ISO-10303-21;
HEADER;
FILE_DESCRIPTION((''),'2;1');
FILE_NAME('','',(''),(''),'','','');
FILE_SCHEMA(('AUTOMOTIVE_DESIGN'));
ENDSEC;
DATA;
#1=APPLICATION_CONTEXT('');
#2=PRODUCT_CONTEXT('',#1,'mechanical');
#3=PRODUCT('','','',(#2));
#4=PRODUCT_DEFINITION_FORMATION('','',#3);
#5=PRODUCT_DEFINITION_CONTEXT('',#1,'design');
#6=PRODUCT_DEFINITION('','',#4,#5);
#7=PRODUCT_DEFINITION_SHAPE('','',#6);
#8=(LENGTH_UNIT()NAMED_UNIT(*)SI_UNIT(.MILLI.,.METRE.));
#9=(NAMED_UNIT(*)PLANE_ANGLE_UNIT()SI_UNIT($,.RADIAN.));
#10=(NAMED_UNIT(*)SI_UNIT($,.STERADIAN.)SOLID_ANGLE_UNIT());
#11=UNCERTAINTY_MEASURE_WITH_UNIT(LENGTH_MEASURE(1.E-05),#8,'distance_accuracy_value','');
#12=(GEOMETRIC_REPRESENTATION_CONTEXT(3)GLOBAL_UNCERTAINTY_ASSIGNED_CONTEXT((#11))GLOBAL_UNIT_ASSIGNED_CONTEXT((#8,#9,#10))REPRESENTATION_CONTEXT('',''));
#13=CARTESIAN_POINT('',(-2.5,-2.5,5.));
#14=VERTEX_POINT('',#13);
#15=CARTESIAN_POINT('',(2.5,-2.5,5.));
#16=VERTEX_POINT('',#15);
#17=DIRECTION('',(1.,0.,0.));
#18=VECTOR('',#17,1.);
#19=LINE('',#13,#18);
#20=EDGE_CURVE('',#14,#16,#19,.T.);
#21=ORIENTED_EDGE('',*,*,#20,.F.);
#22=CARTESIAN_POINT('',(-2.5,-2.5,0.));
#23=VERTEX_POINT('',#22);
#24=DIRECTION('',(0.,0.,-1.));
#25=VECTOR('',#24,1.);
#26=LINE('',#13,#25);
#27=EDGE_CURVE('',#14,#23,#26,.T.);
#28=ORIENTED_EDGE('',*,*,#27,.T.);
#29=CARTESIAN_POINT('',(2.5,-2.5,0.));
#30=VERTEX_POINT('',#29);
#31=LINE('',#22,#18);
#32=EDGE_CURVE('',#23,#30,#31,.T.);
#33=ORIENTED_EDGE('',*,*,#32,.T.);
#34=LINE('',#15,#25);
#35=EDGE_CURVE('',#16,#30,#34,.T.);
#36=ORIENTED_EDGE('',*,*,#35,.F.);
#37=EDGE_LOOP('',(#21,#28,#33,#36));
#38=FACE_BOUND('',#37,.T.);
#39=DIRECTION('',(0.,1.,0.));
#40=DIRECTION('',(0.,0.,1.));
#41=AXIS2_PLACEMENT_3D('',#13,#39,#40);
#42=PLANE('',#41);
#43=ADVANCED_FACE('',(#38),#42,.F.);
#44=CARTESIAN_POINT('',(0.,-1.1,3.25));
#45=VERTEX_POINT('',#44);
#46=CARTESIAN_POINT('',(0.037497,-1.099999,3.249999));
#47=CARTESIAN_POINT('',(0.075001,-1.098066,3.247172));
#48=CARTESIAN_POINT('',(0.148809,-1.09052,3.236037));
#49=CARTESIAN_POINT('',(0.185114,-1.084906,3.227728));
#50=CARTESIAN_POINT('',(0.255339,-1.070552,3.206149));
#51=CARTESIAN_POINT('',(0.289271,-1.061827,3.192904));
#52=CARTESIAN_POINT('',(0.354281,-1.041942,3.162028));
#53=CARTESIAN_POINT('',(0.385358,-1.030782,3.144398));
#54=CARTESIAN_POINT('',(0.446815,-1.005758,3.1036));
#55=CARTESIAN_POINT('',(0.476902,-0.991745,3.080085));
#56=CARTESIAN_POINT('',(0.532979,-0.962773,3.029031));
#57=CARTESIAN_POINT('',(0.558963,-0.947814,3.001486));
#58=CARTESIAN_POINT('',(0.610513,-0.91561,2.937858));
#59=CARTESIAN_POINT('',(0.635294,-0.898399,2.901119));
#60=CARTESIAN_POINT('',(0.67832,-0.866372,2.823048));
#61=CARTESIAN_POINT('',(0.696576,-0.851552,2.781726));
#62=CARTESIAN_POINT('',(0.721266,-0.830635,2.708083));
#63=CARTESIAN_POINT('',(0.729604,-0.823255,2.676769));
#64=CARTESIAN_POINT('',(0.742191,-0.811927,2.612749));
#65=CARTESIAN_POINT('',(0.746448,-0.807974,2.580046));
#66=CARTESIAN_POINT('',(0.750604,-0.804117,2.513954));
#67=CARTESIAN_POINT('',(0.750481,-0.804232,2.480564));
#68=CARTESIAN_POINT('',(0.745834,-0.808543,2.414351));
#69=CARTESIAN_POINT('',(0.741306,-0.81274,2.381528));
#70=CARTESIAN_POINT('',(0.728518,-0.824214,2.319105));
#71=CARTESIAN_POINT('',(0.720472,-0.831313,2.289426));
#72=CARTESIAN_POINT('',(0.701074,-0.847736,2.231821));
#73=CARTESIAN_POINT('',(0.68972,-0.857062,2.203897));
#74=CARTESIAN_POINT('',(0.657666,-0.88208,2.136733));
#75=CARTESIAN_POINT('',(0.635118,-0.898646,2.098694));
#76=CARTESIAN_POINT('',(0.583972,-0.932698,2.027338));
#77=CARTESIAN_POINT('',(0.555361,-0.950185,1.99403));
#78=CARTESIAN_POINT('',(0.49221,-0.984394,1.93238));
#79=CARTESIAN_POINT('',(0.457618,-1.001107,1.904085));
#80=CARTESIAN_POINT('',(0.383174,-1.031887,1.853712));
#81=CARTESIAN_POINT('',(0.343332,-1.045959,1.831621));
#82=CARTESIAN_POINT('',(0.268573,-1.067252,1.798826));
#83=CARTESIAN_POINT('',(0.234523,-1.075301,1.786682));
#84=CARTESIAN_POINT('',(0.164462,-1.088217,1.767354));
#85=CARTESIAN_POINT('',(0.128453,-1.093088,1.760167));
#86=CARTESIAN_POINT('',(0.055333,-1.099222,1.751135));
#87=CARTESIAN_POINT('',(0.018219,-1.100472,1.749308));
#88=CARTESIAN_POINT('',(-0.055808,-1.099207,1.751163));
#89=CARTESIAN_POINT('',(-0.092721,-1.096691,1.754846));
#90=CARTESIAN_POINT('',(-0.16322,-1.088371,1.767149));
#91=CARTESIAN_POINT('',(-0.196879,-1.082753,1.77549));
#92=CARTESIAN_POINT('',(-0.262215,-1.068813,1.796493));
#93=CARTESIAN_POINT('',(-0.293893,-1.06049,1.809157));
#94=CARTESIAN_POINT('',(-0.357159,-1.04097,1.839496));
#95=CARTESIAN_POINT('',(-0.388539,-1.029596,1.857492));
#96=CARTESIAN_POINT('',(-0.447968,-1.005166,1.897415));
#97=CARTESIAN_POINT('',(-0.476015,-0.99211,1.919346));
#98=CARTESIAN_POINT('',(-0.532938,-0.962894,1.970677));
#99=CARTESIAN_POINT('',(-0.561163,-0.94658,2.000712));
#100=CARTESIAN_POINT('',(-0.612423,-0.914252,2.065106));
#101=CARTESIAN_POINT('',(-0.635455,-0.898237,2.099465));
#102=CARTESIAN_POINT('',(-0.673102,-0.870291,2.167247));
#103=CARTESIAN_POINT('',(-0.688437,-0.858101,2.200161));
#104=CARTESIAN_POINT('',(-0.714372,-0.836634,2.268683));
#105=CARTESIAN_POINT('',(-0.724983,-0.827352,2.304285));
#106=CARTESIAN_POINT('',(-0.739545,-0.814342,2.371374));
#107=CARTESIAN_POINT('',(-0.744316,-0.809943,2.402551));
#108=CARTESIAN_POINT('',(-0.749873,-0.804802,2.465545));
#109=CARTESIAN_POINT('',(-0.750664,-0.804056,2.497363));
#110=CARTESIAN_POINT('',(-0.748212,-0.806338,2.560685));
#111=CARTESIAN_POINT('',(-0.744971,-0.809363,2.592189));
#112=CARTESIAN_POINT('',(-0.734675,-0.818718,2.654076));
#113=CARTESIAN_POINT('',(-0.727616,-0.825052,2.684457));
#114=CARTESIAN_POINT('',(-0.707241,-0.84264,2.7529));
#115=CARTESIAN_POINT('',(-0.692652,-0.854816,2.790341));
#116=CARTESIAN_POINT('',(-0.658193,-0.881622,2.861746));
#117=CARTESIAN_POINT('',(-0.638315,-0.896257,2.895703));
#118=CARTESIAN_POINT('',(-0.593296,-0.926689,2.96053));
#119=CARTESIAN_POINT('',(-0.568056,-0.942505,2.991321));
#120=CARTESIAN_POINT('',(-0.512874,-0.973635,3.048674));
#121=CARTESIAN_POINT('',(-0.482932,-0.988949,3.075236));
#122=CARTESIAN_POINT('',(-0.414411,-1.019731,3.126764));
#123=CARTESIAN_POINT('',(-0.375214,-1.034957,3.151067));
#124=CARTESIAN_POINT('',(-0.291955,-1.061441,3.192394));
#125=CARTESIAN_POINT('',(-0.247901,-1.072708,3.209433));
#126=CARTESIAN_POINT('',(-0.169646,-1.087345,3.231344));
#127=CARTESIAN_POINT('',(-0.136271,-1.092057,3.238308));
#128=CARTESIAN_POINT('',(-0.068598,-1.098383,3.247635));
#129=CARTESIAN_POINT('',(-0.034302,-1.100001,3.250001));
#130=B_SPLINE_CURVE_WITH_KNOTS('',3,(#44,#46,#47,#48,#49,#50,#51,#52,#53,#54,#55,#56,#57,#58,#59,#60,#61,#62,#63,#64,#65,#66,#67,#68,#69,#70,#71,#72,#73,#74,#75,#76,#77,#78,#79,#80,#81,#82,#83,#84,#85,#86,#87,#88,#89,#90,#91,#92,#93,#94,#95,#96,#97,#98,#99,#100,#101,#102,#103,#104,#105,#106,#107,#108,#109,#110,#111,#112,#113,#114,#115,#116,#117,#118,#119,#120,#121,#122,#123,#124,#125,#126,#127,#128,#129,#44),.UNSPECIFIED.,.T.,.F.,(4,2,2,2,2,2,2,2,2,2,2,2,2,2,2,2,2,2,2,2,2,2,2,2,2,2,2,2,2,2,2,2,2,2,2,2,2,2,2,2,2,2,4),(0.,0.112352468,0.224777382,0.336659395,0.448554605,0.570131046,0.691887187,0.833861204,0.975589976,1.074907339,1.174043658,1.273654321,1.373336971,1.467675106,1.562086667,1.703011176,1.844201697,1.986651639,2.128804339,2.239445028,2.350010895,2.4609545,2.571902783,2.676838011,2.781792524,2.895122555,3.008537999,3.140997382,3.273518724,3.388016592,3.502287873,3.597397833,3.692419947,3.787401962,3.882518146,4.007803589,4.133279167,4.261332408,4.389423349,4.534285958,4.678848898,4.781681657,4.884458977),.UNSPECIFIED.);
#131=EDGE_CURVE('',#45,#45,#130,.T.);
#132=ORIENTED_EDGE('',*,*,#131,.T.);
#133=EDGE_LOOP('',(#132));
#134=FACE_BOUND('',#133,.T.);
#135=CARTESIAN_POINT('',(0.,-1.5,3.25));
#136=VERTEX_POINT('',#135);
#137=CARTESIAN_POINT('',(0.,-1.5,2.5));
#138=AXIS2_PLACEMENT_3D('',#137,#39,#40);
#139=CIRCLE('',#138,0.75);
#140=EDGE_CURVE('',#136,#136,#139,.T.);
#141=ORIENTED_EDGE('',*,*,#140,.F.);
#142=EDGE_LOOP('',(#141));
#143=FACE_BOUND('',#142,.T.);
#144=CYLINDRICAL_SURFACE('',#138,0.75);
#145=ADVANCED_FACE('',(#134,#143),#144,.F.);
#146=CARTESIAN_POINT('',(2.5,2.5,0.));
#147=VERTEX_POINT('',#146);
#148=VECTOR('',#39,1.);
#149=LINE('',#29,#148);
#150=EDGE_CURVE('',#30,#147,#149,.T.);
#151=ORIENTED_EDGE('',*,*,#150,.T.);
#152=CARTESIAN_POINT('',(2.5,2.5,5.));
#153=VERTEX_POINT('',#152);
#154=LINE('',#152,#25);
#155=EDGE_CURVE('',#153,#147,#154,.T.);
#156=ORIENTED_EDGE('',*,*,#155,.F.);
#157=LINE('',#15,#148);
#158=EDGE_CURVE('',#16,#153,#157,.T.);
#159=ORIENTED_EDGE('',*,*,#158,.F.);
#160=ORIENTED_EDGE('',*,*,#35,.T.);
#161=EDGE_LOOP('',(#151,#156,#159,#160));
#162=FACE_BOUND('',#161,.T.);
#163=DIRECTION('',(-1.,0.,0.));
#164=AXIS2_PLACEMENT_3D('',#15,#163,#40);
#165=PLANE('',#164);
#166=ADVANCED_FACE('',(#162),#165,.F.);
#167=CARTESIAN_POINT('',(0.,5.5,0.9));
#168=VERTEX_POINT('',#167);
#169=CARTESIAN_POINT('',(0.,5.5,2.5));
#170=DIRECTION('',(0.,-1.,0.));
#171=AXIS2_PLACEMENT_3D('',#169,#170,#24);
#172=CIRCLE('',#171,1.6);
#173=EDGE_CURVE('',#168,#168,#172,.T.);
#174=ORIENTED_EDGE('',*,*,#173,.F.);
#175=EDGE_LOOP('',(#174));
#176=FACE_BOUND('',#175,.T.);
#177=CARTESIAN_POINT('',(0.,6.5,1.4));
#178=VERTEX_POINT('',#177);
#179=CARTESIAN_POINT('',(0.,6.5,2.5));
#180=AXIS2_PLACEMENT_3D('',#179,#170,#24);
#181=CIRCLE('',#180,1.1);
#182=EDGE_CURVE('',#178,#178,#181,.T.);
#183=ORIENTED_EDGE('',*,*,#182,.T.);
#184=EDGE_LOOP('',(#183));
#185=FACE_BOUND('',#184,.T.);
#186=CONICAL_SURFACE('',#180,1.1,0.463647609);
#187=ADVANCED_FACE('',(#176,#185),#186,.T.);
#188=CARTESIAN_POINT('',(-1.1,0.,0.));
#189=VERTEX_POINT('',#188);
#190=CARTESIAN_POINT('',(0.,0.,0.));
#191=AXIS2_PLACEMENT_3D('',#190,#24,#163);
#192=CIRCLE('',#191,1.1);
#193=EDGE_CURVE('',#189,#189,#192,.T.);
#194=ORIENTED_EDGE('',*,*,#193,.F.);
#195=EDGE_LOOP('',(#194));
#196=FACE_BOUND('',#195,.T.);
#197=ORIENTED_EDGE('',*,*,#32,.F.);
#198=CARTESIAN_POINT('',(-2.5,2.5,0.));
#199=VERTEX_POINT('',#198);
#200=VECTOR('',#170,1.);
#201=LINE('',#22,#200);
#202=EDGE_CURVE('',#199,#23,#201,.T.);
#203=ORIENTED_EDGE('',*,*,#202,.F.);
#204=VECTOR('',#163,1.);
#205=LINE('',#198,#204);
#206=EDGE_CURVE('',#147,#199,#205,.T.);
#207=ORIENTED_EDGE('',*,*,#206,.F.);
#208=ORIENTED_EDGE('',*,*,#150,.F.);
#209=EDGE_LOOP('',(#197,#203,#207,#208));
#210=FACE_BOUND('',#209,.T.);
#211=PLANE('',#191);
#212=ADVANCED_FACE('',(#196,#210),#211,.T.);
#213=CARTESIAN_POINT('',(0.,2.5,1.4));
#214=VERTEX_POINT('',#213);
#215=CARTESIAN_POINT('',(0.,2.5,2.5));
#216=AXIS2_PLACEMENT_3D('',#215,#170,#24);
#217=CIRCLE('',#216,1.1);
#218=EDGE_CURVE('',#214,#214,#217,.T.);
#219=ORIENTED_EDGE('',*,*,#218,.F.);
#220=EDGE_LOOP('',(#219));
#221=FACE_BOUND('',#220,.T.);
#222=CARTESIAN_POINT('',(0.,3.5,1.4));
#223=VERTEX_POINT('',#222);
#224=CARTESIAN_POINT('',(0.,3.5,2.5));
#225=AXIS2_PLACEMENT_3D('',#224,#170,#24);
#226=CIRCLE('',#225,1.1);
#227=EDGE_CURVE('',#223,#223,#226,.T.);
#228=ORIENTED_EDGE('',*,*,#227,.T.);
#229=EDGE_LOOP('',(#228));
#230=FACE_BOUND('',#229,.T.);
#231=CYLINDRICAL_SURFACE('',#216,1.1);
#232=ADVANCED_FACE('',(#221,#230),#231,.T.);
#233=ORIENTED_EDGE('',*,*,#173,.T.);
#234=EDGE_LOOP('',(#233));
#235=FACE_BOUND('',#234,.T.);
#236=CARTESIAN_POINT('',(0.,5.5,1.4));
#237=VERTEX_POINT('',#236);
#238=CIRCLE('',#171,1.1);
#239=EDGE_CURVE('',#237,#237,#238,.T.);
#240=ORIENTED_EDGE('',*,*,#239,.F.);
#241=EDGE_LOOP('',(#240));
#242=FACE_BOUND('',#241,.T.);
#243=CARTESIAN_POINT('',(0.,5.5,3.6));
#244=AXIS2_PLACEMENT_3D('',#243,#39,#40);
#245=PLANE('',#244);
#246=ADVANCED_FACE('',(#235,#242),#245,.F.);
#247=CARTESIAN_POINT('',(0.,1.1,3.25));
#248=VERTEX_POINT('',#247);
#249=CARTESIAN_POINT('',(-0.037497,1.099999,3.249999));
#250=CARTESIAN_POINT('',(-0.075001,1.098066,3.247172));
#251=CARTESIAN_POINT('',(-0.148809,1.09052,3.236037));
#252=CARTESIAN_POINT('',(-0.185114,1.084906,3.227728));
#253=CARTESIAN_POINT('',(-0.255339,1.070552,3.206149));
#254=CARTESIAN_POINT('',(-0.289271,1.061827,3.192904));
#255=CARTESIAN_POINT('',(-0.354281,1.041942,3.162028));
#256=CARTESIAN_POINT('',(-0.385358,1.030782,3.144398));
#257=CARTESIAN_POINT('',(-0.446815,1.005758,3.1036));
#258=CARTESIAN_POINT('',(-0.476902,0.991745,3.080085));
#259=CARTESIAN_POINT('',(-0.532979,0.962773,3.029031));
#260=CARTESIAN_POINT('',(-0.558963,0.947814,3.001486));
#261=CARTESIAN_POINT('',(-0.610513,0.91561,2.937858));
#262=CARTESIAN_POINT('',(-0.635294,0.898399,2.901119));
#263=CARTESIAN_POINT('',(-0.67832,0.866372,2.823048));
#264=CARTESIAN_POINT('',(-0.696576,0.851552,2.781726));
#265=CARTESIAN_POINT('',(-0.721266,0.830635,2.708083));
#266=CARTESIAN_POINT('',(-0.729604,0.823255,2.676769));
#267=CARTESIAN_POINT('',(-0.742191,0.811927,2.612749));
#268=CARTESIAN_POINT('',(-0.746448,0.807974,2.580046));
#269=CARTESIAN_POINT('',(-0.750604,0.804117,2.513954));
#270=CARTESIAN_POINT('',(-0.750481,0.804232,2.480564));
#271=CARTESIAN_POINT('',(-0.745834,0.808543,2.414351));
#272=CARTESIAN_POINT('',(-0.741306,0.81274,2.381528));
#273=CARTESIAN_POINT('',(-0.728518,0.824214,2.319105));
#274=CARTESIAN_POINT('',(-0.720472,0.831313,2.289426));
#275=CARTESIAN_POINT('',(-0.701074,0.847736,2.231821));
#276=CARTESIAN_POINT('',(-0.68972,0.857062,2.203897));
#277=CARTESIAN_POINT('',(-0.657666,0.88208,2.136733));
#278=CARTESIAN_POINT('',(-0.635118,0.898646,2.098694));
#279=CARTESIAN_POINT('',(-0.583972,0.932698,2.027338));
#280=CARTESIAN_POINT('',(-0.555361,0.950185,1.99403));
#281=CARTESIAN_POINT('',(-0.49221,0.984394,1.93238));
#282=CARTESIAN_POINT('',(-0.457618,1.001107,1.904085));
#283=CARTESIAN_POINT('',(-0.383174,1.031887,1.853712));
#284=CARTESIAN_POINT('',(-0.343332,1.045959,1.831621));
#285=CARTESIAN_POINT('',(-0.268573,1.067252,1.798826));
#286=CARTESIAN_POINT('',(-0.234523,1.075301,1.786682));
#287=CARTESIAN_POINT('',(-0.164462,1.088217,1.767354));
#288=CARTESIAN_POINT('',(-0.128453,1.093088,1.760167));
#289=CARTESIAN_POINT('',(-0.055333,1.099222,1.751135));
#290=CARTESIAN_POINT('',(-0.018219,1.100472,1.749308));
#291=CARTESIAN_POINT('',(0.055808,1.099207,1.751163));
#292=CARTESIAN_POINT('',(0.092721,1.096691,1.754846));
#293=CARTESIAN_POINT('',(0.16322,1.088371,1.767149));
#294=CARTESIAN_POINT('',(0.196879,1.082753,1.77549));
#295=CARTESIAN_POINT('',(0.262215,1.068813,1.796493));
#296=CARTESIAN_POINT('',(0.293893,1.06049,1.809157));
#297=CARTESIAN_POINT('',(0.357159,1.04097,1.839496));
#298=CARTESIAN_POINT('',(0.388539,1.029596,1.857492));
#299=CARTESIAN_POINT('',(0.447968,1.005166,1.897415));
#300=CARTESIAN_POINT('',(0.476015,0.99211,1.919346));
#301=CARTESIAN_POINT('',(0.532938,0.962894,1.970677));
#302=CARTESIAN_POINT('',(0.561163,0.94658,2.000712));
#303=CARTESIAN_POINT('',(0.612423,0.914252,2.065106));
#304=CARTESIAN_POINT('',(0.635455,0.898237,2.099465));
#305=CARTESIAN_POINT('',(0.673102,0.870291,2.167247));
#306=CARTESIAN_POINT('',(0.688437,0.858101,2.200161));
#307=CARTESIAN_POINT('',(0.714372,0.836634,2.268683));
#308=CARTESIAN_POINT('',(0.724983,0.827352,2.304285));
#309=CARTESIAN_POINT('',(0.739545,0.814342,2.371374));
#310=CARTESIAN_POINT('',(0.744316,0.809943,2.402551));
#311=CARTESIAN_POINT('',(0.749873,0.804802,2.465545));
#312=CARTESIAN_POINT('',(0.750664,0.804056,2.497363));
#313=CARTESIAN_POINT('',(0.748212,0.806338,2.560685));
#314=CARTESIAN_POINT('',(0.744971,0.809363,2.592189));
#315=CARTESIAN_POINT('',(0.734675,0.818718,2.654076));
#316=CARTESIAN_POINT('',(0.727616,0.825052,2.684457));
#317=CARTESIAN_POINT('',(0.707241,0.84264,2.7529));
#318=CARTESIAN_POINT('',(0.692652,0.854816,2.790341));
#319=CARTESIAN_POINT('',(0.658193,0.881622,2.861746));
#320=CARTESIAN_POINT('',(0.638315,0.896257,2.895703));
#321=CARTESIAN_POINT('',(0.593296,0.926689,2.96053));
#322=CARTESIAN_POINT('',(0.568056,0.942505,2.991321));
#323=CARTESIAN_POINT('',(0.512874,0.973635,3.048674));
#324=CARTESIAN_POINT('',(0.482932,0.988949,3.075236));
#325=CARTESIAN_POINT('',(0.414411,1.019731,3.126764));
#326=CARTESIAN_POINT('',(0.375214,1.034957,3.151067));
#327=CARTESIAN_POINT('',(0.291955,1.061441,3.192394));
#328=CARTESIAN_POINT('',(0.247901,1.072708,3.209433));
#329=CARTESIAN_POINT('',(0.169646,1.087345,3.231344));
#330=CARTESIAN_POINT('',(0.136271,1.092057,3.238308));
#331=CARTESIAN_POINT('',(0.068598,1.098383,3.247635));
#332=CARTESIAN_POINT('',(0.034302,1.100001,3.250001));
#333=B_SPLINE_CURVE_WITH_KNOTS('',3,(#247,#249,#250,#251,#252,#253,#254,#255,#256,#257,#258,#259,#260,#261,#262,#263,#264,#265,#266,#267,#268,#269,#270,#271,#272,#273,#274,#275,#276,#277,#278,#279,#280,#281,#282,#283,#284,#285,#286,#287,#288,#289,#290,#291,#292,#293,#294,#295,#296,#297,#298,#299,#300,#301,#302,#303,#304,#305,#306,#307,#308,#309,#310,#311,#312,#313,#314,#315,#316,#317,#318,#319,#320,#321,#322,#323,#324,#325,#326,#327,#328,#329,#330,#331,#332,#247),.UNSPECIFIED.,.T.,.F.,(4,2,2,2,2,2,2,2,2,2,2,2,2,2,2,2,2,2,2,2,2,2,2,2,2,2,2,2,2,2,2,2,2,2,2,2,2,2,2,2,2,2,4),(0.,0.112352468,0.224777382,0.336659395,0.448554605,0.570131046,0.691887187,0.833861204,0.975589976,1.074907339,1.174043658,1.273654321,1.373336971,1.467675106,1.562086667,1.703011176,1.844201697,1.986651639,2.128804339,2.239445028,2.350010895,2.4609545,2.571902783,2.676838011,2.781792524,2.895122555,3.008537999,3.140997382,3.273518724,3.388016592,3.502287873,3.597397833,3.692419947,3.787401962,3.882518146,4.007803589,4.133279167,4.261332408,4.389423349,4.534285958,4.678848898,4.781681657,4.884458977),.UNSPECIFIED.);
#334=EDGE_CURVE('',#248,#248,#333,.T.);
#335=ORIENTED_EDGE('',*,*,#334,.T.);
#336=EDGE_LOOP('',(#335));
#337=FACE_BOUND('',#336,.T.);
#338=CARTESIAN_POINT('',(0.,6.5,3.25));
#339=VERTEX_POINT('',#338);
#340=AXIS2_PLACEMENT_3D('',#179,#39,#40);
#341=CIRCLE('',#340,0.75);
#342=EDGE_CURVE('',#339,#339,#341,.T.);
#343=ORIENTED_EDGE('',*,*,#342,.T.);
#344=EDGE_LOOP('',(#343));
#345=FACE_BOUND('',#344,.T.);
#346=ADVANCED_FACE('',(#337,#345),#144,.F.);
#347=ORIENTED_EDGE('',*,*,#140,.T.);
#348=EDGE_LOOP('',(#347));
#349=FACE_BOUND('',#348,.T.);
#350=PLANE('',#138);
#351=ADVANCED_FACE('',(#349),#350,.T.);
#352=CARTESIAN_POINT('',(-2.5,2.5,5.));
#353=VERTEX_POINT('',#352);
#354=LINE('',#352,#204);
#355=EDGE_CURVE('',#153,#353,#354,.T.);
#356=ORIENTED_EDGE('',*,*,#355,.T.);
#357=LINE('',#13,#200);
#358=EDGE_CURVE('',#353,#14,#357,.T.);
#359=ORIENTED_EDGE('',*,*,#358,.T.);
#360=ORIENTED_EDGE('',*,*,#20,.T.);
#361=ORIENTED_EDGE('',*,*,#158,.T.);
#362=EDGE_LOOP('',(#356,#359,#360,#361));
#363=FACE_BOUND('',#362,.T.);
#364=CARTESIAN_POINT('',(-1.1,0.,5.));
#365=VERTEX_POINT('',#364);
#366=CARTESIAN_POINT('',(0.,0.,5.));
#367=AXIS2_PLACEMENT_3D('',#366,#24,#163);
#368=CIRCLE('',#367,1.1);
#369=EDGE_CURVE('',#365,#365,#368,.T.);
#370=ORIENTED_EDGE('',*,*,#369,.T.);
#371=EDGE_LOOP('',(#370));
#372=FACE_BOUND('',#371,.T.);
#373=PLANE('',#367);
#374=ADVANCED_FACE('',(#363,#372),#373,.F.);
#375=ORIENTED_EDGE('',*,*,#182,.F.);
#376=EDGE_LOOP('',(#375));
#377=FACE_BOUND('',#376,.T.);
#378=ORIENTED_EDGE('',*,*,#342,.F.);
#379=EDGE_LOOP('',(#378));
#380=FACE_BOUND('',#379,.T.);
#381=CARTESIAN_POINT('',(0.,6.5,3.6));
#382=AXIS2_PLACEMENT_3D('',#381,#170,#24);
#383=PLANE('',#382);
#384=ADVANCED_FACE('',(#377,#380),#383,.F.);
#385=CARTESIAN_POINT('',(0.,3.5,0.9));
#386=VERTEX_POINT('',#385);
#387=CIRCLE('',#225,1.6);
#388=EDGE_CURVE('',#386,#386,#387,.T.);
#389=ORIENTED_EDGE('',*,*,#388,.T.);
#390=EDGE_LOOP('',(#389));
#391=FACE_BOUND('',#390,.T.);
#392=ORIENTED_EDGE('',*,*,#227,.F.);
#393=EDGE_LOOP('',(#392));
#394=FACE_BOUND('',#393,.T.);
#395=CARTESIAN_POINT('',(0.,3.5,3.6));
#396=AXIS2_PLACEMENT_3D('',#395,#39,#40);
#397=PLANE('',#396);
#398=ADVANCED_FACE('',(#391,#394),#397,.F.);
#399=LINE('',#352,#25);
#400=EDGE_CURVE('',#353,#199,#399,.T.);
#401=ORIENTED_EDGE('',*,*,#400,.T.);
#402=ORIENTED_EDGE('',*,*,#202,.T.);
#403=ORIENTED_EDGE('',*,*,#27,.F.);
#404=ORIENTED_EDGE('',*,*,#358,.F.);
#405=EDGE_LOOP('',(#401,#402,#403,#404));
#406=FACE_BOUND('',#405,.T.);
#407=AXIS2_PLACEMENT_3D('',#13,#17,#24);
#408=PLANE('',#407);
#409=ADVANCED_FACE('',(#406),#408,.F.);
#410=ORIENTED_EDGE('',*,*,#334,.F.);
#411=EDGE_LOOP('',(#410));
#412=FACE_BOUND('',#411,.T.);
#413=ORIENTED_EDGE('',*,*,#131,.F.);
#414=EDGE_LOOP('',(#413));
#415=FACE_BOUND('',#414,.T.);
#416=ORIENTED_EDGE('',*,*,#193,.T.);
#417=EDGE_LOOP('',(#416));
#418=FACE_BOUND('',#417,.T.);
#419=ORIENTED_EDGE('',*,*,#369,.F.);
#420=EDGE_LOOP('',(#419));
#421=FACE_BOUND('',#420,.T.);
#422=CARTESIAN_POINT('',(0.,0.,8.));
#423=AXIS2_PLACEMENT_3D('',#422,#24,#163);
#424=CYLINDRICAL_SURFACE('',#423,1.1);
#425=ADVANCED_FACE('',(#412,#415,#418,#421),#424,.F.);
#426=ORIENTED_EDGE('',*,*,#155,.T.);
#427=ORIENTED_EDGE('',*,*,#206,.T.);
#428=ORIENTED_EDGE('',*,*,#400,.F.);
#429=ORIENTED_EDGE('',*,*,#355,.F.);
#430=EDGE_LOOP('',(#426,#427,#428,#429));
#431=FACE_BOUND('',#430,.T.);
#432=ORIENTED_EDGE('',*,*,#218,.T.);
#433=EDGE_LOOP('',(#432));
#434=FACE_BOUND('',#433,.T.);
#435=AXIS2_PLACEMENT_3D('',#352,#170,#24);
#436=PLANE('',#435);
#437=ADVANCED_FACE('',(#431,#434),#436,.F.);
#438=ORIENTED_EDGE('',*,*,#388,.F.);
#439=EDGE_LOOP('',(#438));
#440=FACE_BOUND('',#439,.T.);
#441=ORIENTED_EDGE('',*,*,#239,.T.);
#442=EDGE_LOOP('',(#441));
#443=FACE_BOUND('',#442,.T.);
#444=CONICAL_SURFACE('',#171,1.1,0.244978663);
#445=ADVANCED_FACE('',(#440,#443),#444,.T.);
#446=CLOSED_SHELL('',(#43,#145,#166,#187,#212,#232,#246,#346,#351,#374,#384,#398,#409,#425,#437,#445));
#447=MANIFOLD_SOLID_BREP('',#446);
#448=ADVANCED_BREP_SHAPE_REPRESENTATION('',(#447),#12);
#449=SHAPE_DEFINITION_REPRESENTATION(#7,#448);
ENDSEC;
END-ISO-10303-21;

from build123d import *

# Parameters (mm, degrees)
SKETCH1_W           = 5
SKETCH1_H           = 5
BOSS_EXTRUDE1_DEPTH = 5
SKETCH5_R           = 0.75
CUT_EXTRUDE1_DEPTH  = 8
SKETCH6_R           = 1.1
CUT_EXTRUDE2_DEPTH  = 8


with BuildPart() as part:
    # Sketch1 → Boss-Extrude1 (new body)
    with BuildSketch(Plane.XY):
        Rectangle(SKETCH1_W, SKETCH1_H)
    extrude(amount=BOSS_EXTRUDE1_DEPTH)

    # Sketch2 → Revolve1 (revolve)
    with BuildSketch(Plane(origin=(0, 0, 0), x_dir=(0, 0, -1), z_dir=(1, 0, 0))):
        Polygon((-2.5, 2.5), (-2.5, 6.5), (-3.6, 6.5), (-4.1, 5.5), (-3.6, 5.5), (-4.1, 3.5), (-3.6, 3.5), (-3.6, 2.5), align=None)
    revolve(axis=Axis((0, 2.5, 2.5), (0, 1, 0)))

    # Sketch5 → Cut-Extrude1 (cut)
    with BuildSketch(Plane(origin=(0, 6.5, 0), x_dir=(1, 0, 0), z_dir=(0, 1, 0))):
        with Locations((0, -2.5)):
            Circle(SKETCH5_R)
    extrude(amount=-CUT_EXTRUDE1_DEPTH, mode=Mode.SUBTRACT)

    # Sketch6 → Cut-Extrude2 (cut)
    with BuildSketch(Plane(origin=(0, 0, 0), x_dir=(-1, 0, 0), z_dir=(0, 0, -1))):
        Circle(SKETCH6_R)
    extrude(amount=-CUT_EXTRUDE2_DEPTH, mode=Mode.SUBTRACT)


solid = part.part
